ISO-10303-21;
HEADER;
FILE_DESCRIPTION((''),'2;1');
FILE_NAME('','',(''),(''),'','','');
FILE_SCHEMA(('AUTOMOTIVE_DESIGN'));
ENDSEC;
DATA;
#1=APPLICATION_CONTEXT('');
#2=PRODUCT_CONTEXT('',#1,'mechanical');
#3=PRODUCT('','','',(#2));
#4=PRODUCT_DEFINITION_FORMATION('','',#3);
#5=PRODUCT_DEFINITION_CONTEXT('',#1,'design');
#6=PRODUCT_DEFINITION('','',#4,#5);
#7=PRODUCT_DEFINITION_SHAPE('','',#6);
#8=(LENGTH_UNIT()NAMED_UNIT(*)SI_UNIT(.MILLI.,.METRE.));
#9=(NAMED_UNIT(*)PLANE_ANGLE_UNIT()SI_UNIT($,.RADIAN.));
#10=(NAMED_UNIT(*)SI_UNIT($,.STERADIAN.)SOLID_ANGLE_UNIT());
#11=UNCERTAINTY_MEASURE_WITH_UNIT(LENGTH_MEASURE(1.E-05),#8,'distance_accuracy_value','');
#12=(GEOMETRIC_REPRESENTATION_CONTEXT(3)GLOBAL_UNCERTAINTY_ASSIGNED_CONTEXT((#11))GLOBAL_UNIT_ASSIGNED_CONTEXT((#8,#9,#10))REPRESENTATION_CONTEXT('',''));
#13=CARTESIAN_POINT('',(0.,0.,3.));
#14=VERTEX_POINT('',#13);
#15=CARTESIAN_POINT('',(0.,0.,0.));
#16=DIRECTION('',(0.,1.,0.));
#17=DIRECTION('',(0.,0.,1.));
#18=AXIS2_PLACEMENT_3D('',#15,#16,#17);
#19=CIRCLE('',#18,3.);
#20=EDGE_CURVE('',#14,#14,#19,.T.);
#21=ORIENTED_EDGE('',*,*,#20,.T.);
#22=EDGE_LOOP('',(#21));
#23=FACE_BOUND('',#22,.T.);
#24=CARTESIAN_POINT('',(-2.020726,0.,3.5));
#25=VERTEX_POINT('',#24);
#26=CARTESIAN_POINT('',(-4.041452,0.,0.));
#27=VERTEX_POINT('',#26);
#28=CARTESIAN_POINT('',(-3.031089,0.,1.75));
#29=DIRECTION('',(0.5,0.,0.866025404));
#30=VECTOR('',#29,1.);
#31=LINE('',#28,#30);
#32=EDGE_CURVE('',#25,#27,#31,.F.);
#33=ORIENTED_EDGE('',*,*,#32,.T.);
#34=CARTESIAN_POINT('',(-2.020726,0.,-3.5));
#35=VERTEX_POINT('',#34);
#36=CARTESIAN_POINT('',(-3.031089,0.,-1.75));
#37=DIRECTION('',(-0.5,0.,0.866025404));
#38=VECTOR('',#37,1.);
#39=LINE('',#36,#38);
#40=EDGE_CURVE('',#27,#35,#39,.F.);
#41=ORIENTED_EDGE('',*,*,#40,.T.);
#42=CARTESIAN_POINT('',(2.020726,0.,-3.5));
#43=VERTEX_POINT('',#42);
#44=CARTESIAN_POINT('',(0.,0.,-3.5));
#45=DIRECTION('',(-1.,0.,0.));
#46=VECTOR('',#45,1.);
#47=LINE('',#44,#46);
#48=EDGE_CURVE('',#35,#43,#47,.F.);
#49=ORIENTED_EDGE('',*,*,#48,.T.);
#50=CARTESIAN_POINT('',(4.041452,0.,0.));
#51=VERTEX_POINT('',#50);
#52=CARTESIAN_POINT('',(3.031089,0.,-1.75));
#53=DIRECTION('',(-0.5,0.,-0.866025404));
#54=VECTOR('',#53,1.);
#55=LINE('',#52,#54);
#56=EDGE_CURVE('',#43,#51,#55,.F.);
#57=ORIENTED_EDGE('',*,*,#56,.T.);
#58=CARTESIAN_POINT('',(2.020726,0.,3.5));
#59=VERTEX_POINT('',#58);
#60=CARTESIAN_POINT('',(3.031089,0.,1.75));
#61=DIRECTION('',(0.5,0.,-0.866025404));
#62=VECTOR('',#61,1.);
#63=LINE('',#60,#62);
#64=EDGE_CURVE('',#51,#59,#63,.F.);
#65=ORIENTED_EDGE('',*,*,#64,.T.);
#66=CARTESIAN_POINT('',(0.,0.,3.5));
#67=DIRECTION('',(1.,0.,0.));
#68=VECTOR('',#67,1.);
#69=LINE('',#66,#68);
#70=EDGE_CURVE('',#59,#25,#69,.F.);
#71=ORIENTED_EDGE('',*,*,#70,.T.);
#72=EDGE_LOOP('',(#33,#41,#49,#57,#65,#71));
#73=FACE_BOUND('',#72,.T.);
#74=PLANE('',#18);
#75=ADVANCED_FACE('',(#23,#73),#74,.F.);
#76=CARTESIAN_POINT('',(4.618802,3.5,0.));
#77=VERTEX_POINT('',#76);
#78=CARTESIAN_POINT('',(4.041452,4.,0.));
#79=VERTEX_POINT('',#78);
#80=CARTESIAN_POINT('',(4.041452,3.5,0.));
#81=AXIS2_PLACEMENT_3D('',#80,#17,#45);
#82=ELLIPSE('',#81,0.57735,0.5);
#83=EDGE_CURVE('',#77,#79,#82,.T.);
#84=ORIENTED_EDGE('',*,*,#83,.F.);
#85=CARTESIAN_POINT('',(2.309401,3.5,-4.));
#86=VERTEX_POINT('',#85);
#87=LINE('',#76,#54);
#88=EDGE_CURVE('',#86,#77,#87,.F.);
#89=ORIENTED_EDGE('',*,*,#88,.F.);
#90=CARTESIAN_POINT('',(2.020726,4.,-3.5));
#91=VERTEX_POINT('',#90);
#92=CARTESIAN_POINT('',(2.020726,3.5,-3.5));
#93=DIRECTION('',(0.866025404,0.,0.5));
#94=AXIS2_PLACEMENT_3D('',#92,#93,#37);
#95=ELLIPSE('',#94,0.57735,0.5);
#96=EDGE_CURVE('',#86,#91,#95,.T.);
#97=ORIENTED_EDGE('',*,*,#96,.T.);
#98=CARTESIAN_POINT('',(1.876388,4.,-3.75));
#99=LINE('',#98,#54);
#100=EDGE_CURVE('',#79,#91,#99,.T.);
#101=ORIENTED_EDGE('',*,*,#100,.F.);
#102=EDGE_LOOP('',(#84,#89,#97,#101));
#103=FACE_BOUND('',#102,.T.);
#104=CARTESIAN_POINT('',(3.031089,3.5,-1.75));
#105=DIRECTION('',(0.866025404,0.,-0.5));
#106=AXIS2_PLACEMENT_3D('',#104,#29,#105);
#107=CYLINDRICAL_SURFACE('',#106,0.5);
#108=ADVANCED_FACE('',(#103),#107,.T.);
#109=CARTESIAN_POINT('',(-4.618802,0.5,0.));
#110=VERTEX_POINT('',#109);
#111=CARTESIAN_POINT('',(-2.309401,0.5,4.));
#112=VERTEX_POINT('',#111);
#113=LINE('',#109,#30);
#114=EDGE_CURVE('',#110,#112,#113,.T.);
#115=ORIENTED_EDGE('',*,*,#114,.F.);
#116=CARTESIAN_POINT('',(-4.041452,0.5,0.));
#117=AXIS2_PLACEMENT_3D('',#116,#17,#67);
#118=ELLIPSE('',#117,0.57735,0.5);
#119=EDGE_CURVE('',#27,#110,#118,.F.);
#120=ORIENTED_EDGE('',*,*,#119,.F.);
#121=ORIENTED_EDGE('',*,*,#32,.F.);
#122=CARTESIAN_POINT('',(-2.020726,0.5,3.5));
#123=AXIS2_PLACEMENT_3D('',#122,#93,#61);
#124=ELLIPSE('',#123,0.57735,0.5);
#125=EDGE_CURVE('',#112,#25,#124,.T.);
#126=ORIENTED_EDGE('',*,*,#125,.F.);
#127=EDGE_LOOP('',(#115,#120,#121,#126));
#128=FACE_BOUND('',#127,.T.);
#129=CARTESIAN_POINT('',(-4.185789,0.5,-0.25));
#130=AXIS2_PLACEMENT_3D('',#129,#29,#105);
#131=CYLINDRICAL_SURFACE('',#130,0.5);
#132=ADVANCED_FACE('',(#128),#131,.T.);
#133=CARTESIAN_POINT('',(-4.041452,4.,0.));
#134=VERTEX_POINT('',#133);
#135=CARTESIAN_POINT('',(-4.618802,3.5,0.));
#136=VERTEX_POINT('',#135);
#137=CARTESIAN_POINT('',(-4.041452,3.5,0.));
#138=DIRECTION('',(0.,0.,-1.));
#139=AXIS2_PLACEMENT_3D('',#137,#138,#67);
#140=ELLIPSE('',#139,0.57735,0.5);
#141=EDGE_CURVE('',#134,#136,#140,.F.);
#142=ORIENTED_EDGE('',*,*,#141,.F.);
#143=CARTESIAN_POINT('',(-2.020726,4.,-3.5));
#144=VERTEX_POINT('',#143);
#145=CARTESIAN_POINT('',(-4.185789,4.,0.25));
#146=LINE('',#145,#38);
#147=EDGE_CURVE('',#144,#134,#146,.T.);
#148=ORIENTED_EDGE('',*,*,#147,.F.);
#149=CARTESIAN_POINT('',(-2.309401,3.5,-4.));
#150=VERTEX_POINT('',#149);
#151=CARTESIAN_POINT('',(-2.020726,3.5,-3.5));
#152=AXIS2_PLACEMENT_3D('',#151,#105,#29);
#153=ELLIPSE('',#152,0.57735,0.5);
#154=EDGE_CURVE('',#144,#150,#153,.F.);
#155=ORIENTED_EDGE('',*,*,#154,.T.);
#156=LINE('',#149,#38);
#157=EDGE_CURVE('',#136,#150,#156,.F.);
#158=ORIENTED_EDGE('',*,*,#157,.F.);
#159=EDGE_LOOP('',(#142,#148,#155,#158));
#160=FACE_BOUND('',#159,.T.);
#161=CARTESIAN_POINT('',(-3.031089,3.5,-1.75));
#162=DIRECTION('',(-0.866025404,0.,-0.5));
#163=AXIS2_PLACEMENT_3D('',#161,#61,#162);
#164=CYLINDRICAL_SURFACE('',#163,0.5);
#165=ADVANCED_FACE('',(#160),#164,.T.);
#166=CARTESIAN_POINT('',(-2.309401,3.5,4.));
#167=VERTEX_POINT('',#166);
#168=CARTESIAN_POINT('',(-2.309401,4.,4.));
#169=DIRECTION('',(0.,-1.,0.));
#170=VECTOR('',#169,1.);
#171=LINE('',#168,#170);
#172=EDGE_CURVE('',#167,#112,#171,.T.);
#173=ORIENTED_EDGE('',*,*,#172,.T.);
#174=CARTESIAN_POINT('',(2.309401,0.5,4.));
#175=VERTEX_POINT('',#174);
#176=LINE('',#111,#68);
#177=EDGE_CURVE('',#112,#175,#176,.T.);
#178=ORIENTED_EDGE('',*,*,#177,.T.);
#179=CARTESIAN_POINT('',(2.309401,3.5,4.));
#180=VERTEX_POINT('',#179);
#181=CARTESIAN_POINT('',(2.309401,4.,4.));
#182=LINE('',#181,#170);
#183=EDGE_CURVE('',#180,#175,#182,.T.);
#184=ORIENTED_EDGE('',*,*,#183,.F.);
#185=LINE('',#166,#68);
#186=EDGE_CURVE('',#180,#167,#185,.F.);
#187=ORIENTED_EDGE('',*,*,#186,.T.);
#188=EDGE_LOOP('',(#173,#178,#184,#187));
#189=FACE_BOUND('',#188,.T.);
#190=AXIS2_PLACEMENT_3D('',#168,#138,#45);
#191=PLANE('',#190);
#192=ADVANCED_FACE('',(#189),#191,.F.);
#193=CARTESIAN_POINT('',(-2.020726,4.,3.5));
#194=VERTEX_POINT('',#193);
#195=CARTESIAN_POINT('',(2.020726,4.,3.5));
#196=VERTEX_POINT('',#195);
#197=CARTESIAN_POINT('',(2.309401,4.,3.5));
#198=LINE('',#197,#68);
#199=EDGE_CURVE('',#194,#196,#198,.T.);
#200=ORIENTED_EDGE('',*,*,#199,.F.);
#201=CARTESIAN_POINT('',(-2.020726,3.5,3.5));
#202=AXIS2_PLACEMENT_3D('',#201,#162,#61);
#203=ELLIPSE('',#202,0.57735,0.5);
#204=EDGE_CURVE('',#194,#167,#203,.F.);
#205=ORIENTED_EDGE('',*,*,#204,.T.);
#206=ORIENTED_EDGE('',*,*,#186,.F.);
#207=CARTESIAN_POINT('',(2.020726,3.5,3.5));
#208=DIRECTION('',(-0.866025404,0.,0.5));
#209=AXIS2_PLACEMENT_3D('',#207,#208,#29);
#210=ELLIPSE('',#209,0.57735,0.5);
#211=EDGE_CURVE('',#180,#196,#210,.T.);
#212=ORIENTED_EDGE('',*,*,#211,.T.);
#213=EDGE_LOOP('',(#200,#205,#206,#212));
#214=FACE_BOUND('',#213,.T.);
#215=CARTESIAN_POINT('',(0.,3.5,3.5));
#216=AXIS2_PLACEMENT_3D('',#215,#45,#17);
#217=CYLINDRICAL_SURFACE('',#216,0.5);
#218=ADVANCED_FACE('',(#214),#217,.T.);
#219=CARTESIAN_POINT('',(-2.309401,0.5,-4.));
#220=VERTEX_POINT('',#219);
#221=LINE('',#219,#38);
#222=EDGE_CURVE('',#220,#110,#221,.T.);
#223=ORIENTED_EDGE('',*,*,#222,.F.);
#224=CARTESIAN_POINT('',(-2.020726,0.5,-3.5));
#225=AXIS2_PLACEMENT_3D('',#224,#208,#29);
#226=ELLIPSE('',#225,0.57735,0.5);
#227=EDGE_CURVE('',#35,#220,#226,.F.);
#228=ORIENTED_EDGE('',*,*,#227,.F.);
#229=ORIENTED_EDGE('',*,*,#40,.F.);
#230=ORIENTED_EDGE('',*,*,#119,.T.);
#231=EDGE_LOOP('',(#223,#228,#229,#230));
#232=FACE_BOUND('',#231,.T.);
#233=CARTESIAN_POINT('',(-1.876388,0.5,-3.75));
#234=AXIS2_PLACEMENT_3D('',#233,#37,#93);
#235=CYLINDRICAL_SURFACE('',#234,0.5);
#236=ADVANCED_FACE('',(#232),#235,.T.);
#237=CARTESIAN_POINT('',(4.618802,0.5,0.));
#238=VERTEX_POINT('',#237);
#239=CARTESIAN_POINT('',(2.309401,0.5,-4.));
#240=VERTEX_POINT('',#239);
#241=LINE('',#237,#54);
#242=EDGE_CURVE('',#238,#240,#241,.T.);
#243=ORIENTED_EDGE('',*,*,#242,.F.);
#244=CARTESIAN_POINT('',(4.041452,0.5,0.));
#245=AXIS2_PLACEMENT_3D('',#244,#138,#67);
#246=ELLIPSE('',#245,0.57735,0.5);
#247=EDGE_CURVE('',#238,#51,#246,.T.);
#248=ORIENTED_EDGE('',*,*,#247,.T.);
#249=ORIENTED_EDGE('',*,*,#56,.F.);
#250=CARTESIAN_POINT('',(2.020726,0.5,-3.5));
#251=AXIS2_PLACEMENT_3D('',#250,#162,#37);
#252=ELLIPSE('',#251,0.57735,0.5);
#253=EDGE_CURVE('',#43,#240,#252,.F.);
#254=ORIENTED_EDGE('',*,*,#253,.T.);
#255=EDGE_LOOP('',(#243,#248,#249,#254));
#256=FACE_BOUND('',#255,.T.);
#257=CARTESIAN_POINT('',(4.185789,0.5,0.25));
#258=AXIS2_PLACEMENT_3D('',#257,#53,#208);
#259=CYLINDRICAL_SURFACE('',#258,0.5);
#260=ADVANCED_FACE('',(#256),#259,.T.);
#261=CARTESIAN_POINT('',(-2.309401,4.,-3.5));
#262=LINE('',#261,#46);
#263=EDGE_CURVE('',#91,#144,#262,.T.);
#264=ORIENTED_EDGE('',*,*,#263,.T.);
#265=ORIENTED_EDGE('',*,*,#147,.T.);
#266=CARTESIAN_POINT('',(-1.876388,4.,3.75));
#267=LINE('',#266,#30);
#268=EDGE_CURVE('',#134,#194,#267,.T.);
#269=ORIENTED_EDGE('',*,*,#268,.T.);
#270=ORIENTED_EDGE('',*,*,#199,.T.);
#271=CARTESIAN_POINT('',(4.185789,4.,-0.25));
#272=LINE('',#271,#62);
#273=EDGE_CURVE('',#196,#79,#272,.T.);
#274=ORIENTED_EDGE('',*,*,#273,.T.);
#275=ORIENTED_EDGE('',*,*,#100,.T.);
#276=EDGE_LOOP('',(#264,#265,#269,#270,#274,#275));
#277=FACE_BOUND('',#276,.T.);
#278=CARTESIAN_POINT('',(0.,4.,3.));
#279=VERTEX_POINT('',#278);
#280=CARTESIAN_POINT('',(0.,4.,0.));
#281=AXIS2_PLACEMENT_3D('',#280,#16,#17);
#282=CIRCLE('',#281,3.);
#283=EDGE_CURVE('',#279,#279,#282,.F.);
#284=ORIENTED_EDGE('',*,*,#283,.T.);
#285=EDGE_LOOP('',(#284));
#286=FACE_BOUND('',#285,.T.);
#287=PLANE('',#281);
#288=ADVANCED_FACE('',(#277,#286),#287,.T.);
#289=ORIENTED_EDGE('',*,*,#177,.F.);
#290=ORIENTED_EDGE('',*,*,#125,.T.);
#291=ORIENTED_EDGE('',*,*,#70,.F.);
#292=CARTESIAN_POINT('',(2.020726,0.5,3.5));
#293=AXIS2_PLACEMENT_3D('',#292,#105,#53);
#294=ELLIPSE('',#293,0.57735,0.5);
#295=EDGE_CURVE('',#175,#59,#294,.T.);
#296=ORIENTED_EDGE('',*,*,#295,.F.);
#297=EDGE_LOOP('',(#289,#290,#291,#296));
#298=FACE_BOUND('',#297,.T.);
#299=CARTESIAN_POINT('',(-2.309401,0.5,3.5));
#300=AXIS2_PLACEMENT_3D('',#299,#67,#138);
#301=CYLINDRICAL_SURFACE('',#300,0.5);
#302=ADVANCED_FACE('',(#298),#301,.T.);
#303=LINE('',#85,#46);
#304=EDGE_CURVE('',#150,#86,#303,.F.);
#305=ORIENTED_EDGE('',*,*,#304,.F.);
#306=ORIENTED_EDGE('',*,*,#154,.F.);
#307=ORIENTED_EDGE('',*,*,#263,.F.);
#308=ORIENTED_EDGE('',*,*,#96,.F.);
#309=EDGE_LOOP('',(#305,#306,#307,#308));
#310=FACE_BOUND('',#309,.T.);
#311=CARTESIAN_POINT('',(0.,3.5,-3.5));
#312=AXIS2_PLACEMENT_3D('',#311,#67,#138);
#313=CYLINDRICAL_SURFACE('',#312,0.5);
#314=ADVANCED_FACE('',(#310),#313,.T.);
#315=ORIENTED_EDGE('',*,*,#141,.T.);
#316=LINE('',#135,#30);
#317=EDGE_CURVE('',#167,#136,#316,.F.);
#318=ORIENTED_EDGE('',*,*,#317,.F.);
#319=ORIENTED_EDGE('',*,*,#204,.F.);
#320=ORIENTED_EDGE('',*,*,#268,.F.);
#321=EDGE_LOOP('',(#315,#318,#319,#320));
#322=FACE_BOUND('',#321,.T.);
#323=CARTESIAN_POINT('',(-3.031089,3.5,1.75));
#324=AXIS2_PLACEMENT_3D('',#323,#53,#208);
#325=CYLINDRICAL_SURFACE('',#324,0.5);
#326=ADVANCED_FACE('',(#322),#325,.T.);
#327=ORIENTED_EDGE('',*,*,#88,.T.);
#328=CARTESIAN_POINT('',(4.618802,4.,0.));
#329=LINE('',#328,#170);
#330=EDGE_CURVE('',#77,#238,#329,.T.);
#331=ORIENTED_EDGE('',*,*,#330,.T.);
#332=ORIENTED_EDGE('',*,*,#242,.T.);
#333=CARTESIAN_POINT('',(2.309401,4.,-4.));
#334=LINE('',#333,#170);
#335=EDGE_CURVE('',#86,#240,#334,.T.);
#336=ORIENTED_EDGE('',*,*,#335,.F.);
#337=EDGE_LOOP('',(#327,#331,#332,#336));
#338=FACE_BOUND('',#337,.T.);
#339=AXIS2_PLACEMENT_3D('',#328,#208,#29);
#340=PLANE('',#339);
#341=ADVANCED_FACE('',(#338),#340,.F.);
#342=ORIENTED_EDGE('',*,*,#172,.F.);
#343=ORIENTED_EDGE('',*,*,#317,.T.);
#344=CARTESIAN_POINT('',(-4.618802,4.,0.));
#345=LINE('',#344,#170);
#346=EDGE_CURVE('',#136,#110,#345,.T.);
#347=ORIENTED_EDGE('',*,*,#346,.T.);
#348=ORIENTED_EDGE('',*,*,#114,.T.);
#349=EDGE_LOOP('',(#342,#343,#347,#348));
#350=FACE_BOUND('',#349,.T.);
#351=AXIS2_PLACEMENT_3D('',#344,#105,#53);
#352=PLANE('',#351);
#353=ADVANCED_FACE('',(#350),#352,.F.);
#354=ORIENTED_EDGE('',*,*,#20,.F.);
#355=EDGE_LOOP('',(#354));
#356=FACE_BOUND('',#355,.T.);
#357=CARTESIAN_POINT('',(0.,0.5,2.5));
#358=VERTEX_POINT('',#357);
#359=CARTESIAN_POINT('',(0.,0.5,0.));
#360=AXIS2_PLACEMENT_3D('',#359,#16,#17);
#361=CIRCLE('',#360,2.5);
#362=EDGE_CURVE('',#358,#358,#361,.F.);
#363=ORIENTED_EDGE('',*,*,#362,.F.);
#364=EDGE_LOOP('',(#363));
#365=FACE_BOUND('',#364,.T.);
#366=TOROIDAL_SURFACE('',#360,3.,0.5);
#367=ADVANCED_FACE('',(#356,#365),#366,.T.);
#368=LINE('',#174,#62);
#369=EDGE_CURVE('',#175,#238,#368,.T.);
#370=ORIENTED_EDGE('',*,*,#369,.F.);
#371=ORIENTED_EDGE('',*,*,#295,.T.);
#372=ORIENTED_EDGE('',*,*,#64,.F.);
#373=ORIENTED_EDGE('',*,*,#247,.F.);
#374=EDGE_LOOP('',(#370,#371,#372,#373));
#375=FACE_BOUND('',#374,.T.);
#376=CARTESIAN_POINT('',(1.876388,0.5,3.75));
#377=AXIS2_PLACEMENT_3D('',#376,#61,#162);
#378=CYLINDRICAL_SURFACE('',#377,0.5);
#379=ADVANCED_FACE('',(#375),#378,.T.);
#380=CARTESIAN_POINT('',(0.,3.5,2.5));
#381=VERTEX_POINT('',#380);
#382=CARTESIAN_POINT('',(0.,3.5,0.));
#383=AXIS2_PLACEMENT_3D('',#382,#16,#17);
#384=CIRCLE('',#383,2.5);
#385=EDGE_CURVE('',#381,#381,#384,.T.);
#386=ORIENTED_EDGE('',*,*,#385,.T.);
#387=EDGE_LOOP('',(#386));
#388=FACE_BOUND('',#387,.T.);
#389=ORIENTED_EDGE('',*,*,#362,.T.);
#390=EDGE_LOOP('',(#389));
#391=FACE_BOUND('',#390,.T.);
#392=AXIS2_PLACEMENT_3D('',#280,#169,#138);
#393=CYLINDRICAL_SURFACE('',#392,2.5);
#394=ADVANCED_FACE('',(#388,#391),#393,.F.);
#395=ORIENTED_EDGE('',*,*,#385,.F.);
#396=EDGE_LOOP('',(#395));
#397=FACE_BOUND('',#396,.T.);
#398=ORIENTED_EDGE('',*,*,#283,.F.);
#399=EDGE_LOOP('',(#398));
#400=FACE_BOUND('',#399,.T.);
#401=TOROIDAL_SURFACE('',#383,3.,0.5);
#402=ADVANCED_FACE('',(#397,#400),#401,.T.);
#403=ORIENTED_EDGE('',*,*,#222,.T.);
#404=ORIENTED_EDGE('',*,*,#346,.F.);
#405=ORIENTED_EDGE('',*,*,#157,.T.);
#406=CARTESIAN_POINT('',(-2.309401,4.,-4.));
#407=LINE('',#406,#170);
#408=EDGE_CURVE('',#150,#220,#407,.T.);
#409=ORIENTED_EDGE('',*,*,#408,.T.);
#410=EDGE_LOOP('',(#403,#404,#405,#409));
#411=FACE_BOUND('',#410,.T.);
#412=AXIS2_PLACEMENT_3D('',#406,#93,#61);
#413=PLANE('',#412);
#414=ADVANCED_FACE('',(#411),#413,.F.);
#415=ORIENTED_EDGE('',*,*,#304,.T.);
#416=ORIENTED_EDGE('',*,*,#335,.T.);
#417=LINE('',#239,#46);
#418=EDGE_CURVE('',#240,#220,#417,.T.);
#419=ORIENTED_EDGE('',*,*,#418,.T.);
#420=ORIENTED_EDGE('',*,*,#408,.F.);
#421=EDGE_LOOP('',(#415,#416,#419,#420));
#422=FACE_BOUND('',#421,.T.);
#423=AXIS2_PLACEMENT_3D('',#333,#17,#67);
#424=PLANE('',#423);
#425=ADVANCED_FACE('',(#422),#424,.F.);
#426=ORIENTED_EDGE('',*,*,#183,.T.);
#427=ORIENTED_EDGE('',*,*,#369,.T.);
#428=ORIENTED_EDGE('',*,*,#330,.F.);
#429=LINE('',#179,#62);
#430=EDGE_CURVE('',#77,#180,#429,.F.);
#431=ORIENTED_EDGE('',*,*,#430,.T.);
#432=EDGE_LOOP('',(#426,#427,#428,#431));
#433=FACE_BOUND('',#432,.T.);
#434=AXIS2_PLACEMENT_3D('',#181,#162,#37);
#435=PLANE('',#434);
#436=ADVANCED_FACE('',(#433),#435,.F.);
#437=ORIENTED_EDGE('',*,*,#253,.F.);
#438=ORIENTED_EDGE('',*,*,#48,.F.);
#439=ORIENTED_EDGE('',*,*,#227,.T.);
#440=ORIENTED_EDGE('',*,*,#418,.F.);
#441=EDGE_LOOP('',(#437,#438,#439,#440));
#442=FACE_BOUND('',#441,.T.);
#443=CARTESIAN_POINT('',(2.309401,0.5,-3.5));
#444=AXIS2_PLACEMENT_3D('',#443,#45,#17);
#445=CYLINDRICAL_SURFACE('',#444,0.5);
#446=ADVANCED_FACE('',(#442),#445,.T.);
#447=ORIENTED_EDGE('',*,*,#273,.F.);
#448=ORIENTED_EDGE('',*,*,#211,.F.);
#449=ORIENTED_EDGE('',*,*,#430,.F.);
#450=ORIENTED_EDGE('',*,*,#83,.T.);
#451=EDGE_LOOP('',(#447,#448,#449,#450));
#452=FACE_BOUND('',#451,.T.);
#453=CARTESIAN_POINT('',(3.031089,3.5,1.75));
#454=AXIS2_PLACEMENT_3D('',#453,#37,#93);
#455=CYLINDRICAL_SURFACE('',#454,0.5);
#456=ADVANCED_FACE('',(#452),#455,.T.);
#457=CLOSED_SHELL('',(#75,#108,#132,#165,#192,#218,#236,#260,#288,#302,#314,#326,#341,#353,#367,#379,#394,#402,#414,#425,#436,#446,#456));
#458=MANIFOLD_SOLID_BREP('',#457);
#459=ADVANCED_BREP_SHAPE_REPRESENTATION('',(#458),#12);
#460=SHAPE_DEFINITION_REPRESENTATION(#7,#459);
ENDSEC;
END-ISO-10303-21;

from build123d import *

# Parameters (mm, degrees)
SKETCH1_R           = 2.5
BOSS_EXTRUDE1_DEPTH = 4
FILLET1_R           = 0.5
FILLET4_R           = 0.5
FILLET5_R           = 0.5


with BuildPart() as part:
    # Sketch1 → Boss-Extrude1 (new body)
    with BuildSketch(Plane(origin=(0, 0, 0), x_dir=(1, 0, 0), z_dir=(0, 1, 0))):
        Polygon((-4.618802154, 0), (-2.309401077, -4), (2.309401077, -4), (4.618802154, 0), (2.309401077, 4), (-2.309401077, 4), align=None)
        Circle(SKETCH1_R, mode=Mode.SUBTRACT)
    extrude(amount=BOSS_EXTRUDE1_DEPTH)

    # Fillet1
    fillet1_edges = [part.edges().sort_by_distance(p)[0] for p in [
        (0, 4, -4),
        (-3.464101615, 4, -2),
        (-3.464101615, 4, 2),
        (0, 4, 4),
        (3.464101615, 4, 2),
        (3.464101615, 4, -2),
    ]]
    fillet(fillet1_edges, radius=FILLET1_R)

    # Fillet4
    fillet4_edges = [part.edges().sort_by_distance(p)[0] for p in [
        (-2.5, 0, 0),
        (0, 0, 4),
        (-3.464101615, 0, 2),
        (-3.464101615, 0, -2),
        (0, 0, -4),
        (3.464101615, 0, -2),
        (3.464101615, 0, 2),
    ]]
    fillet(fillet4_edges, radius=FILLET4_R)

    # Fillet5
    fillet5_edges = [part.edges().sort_by_distance(p)[0] for p in [
        (-2.5, 4, 0),
    ]]
    fillet(fillet5_edges, radius=FILLET5_R)


solid = part.part
